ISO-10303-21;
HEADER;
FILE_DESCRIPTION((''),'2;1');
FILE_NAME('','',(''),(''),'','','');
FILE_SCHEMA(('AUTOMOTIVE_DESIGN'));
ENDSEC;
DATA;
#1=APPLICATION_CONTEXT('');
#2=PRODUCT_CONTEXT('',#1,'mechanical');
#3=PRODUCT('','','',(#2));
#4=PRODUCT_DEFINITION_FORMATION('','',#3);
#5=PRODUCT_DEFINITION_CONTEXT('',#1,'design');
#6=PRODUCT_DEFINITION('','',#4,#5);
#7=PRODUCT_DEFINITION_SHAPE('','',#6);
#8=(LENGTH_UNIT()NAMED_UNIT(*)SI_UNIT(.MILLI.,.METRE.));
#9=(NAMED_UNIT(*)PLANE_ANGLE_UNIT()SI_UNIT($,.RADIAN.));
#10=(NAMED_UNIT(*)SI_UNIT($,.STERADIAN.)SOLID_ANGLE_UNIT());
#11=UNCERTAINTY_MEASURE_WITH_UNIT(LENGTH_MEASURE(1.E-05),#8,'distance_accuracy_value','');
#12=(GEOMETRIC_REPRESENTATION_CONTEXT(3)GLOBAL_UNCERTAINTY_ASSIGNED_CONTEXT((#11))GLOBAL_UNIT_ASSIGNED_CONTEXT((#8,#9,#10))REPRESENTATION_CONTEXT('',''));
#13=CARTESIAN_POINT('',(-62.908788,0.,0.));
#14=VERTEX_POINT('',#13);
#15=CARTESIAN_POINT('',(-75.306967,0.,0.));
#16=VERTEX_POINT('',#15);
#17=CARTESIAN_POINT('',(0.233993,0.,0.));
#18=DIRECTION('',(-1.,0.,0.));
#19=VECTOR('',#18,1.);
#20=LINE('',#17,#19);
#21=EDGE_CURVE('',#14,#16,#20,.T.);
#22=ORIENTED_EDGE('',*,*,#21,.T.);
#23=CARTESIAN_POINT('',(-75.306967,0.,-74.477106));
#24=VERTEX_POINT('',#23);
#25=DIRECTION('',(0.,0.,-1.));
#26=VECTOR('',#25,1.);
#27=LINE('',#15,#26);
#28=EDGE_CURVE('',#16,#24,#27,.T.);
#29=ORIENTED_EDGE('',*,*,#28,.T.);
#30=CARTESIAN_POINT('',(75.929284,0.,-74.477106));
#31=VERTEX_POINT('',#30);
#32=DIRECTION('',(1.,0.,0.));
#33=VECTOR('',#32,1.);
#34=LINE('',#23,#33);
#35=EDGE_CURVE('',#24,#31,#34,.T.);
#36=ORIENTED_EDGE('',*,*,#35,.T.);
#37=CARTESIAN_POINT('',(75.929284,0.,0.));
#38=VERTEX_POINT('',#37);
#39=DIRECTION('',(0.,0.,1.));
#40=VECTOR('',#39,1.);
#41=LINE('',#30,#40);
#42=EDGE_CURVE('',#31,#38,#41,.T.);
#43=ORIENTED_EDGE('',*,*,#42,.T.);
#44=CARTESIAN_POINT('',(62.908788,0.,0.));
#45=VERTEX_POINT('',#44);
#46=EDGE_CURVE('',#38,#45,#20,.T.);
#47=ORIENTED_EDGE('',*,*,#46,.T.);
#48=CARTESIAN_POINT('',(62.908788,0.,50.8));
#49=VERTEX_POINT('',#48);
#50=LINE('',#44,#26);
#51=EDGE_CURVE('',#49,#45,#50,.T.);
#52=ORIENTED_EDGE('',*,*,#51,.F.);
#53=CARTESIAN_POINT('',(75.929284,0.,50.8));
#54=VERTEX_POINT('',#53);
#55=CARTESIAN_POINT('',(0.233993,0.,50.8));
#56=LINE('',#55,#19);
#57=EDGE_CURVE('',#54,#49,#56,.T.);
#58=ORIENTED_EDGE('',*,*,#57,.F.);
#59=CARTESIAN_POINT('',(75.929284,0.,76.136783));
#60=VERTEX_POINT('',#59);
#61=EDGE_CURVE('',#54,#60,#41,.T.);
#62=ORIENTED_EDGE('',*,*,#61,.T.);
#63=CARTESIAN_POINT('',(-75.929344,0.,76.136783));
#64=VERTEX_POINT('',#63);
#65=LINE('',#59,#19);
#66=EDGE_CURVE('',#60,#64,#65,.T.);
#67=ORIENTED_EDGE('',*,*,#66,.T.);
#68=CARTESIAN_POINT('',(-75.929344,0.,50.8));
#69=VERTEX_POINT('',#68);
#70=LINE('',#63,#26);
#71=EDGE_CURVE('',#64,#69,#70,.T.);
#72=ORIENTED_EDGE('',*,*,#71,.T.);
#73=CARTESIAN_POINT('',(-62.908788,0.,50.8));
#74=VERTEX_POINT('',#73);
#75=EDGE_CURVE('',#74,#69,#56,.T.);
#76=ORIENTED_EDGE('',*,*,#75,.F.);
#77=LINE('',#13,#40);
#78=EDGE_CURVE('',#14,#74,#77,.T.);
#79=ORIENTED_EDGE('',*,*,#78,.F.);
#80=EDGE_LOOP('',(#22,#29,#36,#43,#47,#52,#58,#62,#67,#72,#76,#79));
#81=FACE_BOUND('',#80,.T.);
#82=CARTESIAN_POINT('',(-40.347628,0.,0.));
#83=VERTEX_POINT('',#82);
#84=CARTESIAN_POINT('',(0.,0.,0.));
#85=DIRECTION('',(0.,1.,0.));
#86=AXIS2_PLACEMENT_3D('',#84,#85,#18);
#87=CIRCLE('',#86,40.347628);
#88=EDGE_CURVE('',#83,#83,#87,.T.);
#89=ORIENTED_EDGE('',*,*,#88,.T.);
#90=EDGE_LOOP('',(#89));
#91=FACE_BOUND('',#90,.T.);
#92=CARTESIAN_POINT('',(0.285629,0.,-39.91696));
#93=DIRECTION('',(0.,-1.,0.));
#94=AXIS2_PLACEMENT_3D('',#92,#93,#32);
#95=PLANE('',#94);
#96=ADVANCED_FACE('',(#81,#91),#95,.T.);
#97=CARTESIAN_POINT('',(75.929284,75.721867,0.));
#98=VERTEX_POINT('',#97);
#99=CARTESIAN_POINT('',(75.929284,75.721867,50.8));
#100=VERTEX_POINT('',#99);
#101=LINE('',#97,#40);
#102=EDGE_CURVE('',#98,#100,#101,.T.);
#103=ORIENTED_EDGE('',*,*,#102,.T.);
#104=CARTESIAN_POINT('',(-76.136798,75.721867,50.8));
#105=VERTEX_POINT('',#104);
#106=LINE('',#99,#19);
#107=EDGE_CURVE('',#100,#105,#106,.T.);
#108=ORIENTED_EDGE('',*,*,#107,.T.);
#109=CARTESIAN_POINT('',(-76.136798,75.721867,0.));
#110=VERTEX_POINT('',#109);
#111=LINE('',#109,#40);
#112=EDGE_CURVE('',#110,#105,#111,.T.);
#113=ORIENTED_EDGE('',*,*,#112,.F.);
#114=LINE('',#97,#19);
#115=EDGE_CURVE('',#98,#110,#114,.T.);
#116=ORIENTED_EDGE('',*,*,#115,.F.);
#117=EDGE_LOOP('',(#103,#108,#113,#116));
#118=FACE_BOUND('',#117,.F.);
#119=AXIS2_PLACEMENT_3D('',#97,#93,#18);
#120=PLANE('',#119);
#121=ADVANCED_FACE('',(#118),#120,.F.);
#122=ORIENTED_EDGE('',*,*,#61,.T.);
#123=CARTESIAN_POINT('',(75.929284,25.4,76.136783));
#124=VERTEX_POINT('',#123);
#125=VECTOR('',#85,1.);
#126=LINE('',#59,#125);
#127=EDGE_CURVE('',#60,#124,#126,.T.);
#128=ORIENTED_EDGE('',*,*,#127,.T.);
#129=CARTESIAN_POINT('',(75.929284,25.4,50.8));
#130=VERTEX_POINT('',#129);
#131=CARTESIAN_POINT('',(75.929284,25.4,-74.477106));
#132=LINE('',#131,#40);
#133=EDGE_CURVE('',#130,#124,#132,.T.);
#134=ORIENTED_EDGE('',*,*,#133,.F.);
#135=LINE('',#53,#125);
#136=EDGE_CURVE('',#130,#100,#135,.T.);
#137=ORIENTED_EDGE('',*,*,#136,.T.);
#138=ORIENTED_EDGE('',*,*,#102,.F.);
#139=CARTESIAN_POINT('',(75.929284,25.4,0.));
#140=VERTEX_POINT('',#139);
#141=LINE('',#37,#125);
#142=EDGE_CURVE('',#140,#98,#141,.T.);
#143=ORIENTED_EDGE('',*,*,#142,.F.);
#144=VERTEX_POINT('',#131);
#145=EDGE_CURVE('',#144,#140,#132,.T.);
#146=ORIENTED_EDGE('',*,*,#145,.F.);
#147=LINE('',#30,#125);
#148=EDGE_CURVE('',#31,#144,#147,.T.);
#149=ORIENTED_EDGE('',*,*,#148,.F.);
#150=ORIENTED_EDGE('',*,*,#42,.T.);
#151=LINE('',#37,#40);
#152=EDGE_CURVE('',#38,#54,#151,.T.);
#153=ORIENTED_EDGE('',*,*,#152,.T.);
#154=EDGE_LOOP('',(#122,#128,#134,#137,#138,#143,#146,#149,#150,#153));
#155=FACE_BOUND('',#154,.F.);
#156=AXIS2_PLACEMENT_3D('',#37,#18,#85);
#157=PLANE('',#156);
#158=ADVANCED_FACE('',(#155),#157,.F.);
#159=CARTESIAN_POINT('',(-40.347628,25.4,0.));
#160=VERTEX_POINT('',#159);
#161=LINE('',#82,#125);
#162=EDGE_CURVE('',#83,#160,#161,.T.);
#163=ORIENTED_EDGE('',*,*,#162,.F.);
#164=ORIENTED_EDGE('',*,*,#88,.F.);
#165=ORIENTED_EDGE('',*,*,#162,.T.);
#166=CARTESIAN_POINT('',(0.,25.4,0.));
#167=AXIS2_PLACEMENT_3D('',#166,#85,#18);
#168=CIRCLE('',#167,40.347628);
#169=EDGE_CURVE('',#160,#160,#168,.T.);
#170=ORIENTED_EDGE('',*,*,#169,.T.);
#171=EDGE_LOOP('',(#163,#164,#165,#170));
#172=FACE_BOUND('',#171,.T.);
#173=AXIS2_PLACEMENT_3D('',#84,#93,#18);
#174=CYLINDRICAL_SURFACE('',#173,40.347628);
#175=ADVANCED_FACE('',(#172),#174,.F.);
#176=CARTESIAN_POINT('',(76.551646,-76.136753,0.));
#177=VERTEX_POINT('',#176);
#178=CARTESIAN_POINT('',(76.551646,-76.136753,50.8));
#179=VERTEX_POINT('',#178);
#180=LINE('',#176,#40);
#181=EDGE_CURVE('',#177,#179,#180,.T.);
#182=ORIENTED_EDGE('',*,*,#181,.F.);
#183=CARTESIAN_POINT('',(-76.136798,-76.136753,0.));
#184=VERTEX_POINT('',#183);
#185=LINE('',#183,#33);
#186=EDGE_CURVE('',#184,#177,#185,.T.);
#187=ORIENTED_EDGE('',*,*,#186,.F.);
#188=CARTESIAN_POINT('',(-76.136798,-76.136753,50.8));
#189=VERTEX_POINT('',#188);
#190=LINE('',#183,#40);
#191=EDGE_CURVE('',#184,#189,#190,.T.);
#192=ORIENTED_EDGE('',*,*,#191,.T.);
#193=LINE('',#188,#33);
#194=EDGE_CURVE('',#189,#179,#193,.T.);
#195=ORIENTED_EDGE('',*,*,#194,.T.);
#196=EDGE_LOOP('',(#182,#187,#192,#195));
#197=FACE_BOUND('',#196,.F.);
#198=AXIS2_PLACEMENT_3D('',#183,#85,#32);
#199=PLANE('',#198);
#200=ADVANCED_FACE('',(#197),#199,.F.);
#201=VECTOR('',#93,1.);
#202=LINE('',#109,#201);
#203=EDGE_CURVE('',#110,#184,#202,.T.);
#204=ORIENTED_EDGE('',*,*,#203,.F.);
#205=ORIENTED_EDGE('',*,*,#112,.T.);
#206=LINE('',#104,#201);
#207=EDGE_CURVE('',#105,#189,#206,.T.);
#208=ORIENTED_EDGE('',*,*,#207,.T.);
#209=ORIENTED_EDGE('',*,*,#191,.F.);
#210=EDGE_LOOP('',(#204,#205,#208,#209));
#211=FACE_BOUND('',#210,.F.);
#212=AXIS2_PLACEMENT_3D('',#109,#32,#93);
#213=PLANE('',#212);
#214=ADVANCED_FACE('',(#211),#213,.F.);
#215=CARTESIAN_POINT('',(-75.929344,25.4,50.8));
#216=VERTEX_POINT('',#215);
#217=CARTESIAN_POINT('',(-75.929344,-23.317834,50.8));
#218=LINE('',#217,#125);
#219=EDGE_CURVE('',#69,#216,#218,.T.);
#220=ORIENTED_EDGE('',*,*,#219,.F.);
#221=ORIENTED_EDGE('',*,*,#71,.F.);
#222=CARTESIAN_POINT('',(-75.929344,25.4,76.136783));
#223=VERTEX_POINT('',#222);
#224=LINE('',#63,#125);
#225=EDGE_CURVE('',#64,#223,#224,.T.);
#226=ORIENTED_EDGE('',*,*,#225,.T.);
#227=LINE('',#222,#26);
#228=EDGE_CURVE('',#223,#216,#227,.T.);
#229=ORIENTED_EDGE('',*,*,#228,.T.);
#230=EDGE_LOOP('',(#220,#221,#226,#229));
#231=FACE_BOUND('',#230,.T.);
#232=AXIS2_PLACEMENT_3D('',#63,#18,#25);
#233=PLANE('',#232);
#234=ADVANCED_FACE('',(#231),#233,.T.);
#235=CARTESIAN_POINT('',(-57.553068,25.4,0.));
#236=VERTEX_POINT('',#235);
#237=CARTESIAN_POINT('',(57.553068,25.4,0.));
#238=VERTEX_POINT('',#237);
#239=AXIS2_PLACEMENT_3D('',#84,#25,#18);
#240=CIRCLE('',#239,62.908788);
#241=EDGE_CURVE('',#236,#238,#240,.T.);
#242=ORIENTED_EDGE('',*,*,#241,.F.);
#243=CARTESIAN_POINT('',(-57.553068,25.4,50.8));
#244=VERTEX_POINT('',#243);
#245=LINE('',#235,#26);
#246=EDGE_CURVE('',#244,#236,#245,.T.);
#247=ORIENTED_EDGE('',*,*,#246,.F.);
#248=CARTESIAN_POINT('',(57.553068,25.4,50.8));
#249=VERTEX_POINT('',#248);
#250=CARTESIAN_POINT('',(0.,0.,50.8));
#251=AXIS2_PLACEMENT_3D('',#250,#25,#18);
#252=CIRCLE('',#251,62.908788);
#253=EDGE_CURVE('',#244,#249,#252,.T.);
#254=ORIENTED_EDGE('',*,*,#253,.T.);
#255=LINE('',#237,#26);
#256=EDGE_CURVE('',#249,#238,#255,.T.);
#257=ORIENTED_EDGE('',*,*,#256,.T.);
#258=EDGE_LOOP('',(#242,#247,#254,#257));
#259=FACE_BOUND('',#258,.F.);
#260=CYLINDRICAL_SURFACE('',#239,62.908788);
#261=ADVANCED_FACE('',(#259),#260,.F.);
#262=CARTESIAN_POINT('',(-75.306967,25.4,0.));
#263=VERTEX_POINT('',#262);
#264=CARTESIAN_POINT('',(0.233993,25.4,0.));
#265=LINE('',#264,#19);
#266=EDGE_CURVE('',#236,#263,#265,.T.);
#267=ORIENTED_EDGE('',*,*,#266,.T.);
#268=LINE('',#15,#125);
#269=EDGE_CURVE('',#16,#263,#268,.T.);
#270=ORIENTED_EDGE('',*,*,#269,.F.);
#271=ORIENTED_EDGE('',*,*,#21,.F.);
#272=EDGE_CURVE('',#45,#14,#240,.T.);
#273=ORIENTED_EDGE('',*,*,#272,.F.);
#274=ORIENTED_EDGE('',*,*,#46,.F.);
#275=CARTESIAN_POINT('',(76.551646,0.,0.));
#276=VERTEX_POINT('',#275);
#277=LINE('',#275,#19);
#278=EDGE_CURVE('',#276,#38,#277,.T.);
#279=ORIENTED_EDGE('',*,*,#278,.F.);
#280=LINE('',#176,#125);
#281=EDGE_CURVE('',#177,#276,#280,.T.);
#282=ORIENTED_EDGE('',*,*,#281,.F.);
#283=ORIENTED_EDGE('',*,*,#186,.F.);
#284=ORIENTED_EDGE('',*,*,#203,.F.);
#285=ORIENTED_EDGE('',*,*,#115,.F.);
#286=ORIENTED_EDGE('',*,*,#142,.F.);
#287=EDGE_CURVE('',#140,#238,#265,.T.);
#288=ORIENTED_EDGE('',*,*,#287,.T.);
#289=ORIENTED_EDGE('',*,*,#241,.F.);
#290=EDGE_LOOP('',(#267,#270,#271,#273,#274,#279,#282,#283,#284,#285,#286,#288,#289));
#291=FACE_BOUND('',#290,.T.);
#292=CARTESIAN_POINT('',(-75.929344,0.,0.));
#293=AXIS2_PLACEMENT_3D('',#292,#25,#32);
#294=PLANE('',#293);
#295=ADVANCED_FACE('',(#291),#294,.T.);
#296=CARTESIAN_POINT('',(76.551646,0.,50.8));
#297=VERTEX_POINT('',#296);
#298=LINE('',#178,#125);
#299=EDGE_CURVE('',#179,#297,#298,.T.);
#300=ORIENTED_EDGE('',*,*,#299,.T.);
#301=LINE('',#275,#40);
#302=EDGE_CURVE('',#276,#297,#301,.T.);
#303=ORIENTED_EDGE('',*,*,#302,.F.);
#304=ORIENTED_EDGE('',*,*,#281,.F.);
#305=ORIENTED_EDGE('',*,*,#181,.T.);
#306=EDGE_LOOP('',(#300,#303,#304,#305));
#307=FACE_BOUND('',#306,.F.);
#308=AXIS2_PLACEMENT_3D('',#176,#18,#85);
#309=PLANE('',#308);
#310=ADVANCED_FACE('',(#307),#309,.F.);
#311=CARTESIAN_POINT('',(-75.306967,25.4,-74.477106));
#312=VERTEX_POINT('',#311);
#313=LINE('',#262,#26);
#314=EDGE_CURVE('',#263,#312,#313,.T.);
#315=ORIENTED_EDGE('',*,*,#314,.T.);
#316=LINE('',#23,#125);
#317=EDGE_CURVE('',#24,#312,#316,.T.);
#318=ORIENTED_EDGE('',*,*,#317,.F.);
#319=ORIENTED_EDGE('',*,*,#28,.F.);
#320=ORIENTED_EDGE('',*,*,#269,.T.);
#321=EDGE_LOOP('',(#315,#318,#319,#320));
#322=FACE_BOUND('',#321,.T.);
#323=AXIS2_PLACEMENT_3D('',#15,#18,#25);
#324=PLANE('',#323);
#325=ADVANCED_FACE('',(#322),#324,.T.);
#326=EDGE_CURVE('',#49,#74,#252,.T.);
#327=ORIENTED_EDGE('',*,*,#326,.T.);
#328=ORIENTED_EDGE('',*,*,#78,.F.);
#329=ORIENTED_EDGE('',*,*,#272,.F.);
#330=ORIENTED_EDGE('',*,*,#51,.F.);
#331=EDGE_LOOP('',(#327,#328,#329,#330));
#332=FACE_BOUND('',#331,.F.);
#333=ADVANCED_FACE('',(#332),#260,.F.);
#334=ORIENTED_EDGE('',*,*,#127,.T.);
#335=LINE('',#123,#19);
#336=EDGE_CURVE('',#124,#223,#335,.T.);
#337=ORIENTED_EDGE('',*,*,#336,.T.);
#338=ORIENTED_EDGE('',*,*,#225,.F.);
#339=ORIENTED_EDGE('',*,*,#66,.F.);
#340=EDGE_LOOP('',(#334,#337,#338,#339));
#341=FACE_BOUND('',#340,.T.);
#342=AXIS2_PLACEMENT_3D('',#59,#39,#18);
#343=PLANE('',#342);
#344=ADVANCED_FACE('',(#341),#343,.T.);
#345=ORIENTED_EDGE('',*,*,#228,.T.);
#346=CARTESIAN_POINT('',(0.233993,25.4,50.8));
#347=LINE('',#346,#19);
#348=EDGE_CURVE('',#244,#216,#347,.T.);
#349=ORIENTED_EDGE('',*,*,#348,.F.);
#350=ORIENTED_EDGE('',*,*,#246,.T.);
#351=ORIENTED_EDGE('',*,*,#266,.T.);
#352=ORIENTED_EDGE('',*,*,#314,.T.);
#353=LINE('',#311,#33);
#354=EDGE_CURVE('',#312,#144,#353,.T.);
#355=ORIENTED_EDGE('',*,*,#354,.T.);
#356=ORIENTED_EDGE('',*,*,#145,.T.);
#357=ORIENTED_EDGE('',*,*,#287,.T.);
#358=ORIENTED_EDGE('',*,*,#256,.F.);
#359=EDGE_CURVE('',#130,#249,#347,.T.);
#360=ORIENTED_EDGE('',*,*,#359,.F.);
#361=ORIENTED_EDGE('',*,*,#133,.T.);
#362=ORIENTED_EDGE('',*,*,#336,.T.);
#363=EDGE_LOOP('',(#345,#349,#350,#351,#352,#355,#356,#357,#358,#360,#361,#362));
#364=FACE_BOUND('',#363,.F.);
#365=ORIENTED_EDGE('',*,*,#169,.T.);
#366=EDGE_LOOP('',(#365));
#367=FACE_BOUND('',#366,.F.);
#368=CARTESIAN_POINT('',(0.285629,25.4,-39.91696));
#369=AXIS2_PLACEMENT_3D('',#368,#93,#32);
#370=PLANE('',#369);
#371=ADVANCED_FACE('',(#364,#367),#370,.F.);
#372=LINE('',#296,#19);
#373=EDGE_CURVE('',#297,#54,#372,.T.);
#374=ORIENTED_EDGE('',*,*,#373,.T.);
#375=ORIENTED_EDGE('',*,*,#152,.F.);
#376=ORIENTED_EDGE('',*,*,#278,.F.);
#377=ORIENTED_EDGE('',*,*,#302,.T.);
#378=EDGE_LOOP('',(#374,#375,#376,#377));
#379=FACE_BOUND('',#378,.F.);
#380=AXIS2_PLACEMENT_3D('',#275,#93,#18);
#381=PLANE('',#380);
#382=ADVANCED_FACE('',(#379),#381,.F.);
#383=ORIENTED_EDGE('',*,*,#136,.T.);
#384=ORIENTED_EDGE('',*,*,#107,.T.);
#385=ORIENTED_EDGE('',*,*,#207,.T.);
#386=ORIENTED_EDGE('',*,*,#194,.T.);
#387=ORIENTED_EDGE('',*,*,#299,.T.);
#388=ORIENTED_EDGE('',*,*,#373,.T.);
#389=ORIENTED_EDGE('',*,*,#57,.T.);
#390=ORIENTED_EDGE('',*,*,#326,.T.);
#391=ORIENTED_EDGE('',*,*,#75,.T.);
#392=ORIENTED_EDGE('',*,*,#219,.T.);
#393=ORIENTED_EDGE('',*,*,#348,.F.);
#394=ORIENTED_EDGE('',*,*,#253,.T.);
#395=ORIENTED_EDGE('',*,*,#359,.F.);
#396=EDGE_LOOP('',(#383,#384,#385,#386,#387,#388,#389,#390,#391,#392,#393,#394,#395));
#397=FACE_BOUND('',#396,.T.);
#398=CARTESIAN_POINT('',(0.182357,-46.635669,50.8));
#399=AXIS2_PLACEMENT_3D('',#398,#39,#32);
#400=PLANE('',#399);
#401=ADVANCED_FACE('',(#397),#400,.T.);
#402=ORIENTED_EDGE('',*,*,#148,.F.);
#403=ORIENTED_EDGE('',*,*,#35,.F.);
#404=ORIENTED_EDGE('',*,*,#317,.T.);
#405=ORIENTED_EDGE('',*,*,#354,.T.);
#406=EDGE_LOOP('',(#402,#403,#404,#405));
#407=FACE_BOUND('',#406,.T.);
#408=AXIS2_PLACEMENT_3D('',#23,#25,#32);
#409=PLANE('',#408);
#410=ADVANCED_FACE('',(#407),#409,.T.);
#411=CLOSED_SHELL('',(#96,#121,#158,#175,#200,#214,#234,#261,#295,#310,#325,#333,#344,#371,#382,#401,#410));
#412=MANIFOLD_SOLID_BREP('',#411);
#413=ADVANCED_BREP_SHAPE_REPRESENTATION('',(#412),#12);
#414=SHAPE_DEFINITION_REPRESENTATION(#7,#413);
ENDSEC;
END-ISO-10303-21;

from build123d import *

# Parameters (mm, degrees)
F1_DEPTH = 25.4
F3_DEPTH = 50.8


with BuildPart() as f1:
    # F0 (on Front) → F1 (new body)
    with BuildSketch(Plane.XZ):
        with BuildLine():
            Line((75.929284, 0), (40.347628, 0))
            ThreePointArc((40.347628, 0), (0, -40.347628), (-40.347628, 0))
            Line((-40.347628, 0), (-75.306967, 0))
            Line((-75.306967, 0), (-75.306967, -74.477106))
            Line((-75.306967, -74.477106), (75.929284, -74.477106))
            Line((75.929284, -74.477106), (75.929284, 0))
        make_face()
        with BuildLine():
            ThreePointArc((-40.347628, 0), (0, 40.347628), (40.347628, 0))
            Line((40.347628, 0), (75.929284, 0))
            Line((75.929284, 0), (75.929284, 76.136783))
            Line((75.929284, 76.136783), (-75.929344, 76.136783))
            Line((-75.929344, 76.136783), (-75.929344, 0))
            Line((-75.929344, 0), (-75.306967, 0))
            Line((-75.306967, 0), (-40.347628, 0))
        make_face()
    extrude(amount=-F1_DEPTH)

    # F2 (on Top) → F3 (join)
    with BuildSketch(Plane.XY):
        with BuildLine():
            Line((75.929284, 0), (62.908788, 0))
            ThreePointArc((62.908788, 0), (0, -62.908788), (-62.908788, 0))
            Line((-62.908788, 0), (-76.136798, 0))
            Line((-76.136798, 0), (-76.136798, -76.136753))
            Line((-76.136798, -76.136753), (76.551646, -76.136753))
            Line((76.551646, -76.136753), (76.551646, 0))
            Line((76.551646, 0), (75.929284, 0))
        make_face()
        with BuildLine():
            ThreePointArc((-62.908788, 0), (0, 62.908788), (62.908788, 0))
            Line((62.908788, 0), (75.929284, 0))
            Line((75.929284, 0), (75.929284, 75.721867))
            Line((75.929284, 75.721867), (-76.136798, 75.721867))
            Line((-76.136798, 75.721867), (-76.136798, 0))
            Line((-76.136798, 0), (-62.908788, 0))
        make_face()
    extrude(amount=F3_DEPTH)


solid = f1.part
